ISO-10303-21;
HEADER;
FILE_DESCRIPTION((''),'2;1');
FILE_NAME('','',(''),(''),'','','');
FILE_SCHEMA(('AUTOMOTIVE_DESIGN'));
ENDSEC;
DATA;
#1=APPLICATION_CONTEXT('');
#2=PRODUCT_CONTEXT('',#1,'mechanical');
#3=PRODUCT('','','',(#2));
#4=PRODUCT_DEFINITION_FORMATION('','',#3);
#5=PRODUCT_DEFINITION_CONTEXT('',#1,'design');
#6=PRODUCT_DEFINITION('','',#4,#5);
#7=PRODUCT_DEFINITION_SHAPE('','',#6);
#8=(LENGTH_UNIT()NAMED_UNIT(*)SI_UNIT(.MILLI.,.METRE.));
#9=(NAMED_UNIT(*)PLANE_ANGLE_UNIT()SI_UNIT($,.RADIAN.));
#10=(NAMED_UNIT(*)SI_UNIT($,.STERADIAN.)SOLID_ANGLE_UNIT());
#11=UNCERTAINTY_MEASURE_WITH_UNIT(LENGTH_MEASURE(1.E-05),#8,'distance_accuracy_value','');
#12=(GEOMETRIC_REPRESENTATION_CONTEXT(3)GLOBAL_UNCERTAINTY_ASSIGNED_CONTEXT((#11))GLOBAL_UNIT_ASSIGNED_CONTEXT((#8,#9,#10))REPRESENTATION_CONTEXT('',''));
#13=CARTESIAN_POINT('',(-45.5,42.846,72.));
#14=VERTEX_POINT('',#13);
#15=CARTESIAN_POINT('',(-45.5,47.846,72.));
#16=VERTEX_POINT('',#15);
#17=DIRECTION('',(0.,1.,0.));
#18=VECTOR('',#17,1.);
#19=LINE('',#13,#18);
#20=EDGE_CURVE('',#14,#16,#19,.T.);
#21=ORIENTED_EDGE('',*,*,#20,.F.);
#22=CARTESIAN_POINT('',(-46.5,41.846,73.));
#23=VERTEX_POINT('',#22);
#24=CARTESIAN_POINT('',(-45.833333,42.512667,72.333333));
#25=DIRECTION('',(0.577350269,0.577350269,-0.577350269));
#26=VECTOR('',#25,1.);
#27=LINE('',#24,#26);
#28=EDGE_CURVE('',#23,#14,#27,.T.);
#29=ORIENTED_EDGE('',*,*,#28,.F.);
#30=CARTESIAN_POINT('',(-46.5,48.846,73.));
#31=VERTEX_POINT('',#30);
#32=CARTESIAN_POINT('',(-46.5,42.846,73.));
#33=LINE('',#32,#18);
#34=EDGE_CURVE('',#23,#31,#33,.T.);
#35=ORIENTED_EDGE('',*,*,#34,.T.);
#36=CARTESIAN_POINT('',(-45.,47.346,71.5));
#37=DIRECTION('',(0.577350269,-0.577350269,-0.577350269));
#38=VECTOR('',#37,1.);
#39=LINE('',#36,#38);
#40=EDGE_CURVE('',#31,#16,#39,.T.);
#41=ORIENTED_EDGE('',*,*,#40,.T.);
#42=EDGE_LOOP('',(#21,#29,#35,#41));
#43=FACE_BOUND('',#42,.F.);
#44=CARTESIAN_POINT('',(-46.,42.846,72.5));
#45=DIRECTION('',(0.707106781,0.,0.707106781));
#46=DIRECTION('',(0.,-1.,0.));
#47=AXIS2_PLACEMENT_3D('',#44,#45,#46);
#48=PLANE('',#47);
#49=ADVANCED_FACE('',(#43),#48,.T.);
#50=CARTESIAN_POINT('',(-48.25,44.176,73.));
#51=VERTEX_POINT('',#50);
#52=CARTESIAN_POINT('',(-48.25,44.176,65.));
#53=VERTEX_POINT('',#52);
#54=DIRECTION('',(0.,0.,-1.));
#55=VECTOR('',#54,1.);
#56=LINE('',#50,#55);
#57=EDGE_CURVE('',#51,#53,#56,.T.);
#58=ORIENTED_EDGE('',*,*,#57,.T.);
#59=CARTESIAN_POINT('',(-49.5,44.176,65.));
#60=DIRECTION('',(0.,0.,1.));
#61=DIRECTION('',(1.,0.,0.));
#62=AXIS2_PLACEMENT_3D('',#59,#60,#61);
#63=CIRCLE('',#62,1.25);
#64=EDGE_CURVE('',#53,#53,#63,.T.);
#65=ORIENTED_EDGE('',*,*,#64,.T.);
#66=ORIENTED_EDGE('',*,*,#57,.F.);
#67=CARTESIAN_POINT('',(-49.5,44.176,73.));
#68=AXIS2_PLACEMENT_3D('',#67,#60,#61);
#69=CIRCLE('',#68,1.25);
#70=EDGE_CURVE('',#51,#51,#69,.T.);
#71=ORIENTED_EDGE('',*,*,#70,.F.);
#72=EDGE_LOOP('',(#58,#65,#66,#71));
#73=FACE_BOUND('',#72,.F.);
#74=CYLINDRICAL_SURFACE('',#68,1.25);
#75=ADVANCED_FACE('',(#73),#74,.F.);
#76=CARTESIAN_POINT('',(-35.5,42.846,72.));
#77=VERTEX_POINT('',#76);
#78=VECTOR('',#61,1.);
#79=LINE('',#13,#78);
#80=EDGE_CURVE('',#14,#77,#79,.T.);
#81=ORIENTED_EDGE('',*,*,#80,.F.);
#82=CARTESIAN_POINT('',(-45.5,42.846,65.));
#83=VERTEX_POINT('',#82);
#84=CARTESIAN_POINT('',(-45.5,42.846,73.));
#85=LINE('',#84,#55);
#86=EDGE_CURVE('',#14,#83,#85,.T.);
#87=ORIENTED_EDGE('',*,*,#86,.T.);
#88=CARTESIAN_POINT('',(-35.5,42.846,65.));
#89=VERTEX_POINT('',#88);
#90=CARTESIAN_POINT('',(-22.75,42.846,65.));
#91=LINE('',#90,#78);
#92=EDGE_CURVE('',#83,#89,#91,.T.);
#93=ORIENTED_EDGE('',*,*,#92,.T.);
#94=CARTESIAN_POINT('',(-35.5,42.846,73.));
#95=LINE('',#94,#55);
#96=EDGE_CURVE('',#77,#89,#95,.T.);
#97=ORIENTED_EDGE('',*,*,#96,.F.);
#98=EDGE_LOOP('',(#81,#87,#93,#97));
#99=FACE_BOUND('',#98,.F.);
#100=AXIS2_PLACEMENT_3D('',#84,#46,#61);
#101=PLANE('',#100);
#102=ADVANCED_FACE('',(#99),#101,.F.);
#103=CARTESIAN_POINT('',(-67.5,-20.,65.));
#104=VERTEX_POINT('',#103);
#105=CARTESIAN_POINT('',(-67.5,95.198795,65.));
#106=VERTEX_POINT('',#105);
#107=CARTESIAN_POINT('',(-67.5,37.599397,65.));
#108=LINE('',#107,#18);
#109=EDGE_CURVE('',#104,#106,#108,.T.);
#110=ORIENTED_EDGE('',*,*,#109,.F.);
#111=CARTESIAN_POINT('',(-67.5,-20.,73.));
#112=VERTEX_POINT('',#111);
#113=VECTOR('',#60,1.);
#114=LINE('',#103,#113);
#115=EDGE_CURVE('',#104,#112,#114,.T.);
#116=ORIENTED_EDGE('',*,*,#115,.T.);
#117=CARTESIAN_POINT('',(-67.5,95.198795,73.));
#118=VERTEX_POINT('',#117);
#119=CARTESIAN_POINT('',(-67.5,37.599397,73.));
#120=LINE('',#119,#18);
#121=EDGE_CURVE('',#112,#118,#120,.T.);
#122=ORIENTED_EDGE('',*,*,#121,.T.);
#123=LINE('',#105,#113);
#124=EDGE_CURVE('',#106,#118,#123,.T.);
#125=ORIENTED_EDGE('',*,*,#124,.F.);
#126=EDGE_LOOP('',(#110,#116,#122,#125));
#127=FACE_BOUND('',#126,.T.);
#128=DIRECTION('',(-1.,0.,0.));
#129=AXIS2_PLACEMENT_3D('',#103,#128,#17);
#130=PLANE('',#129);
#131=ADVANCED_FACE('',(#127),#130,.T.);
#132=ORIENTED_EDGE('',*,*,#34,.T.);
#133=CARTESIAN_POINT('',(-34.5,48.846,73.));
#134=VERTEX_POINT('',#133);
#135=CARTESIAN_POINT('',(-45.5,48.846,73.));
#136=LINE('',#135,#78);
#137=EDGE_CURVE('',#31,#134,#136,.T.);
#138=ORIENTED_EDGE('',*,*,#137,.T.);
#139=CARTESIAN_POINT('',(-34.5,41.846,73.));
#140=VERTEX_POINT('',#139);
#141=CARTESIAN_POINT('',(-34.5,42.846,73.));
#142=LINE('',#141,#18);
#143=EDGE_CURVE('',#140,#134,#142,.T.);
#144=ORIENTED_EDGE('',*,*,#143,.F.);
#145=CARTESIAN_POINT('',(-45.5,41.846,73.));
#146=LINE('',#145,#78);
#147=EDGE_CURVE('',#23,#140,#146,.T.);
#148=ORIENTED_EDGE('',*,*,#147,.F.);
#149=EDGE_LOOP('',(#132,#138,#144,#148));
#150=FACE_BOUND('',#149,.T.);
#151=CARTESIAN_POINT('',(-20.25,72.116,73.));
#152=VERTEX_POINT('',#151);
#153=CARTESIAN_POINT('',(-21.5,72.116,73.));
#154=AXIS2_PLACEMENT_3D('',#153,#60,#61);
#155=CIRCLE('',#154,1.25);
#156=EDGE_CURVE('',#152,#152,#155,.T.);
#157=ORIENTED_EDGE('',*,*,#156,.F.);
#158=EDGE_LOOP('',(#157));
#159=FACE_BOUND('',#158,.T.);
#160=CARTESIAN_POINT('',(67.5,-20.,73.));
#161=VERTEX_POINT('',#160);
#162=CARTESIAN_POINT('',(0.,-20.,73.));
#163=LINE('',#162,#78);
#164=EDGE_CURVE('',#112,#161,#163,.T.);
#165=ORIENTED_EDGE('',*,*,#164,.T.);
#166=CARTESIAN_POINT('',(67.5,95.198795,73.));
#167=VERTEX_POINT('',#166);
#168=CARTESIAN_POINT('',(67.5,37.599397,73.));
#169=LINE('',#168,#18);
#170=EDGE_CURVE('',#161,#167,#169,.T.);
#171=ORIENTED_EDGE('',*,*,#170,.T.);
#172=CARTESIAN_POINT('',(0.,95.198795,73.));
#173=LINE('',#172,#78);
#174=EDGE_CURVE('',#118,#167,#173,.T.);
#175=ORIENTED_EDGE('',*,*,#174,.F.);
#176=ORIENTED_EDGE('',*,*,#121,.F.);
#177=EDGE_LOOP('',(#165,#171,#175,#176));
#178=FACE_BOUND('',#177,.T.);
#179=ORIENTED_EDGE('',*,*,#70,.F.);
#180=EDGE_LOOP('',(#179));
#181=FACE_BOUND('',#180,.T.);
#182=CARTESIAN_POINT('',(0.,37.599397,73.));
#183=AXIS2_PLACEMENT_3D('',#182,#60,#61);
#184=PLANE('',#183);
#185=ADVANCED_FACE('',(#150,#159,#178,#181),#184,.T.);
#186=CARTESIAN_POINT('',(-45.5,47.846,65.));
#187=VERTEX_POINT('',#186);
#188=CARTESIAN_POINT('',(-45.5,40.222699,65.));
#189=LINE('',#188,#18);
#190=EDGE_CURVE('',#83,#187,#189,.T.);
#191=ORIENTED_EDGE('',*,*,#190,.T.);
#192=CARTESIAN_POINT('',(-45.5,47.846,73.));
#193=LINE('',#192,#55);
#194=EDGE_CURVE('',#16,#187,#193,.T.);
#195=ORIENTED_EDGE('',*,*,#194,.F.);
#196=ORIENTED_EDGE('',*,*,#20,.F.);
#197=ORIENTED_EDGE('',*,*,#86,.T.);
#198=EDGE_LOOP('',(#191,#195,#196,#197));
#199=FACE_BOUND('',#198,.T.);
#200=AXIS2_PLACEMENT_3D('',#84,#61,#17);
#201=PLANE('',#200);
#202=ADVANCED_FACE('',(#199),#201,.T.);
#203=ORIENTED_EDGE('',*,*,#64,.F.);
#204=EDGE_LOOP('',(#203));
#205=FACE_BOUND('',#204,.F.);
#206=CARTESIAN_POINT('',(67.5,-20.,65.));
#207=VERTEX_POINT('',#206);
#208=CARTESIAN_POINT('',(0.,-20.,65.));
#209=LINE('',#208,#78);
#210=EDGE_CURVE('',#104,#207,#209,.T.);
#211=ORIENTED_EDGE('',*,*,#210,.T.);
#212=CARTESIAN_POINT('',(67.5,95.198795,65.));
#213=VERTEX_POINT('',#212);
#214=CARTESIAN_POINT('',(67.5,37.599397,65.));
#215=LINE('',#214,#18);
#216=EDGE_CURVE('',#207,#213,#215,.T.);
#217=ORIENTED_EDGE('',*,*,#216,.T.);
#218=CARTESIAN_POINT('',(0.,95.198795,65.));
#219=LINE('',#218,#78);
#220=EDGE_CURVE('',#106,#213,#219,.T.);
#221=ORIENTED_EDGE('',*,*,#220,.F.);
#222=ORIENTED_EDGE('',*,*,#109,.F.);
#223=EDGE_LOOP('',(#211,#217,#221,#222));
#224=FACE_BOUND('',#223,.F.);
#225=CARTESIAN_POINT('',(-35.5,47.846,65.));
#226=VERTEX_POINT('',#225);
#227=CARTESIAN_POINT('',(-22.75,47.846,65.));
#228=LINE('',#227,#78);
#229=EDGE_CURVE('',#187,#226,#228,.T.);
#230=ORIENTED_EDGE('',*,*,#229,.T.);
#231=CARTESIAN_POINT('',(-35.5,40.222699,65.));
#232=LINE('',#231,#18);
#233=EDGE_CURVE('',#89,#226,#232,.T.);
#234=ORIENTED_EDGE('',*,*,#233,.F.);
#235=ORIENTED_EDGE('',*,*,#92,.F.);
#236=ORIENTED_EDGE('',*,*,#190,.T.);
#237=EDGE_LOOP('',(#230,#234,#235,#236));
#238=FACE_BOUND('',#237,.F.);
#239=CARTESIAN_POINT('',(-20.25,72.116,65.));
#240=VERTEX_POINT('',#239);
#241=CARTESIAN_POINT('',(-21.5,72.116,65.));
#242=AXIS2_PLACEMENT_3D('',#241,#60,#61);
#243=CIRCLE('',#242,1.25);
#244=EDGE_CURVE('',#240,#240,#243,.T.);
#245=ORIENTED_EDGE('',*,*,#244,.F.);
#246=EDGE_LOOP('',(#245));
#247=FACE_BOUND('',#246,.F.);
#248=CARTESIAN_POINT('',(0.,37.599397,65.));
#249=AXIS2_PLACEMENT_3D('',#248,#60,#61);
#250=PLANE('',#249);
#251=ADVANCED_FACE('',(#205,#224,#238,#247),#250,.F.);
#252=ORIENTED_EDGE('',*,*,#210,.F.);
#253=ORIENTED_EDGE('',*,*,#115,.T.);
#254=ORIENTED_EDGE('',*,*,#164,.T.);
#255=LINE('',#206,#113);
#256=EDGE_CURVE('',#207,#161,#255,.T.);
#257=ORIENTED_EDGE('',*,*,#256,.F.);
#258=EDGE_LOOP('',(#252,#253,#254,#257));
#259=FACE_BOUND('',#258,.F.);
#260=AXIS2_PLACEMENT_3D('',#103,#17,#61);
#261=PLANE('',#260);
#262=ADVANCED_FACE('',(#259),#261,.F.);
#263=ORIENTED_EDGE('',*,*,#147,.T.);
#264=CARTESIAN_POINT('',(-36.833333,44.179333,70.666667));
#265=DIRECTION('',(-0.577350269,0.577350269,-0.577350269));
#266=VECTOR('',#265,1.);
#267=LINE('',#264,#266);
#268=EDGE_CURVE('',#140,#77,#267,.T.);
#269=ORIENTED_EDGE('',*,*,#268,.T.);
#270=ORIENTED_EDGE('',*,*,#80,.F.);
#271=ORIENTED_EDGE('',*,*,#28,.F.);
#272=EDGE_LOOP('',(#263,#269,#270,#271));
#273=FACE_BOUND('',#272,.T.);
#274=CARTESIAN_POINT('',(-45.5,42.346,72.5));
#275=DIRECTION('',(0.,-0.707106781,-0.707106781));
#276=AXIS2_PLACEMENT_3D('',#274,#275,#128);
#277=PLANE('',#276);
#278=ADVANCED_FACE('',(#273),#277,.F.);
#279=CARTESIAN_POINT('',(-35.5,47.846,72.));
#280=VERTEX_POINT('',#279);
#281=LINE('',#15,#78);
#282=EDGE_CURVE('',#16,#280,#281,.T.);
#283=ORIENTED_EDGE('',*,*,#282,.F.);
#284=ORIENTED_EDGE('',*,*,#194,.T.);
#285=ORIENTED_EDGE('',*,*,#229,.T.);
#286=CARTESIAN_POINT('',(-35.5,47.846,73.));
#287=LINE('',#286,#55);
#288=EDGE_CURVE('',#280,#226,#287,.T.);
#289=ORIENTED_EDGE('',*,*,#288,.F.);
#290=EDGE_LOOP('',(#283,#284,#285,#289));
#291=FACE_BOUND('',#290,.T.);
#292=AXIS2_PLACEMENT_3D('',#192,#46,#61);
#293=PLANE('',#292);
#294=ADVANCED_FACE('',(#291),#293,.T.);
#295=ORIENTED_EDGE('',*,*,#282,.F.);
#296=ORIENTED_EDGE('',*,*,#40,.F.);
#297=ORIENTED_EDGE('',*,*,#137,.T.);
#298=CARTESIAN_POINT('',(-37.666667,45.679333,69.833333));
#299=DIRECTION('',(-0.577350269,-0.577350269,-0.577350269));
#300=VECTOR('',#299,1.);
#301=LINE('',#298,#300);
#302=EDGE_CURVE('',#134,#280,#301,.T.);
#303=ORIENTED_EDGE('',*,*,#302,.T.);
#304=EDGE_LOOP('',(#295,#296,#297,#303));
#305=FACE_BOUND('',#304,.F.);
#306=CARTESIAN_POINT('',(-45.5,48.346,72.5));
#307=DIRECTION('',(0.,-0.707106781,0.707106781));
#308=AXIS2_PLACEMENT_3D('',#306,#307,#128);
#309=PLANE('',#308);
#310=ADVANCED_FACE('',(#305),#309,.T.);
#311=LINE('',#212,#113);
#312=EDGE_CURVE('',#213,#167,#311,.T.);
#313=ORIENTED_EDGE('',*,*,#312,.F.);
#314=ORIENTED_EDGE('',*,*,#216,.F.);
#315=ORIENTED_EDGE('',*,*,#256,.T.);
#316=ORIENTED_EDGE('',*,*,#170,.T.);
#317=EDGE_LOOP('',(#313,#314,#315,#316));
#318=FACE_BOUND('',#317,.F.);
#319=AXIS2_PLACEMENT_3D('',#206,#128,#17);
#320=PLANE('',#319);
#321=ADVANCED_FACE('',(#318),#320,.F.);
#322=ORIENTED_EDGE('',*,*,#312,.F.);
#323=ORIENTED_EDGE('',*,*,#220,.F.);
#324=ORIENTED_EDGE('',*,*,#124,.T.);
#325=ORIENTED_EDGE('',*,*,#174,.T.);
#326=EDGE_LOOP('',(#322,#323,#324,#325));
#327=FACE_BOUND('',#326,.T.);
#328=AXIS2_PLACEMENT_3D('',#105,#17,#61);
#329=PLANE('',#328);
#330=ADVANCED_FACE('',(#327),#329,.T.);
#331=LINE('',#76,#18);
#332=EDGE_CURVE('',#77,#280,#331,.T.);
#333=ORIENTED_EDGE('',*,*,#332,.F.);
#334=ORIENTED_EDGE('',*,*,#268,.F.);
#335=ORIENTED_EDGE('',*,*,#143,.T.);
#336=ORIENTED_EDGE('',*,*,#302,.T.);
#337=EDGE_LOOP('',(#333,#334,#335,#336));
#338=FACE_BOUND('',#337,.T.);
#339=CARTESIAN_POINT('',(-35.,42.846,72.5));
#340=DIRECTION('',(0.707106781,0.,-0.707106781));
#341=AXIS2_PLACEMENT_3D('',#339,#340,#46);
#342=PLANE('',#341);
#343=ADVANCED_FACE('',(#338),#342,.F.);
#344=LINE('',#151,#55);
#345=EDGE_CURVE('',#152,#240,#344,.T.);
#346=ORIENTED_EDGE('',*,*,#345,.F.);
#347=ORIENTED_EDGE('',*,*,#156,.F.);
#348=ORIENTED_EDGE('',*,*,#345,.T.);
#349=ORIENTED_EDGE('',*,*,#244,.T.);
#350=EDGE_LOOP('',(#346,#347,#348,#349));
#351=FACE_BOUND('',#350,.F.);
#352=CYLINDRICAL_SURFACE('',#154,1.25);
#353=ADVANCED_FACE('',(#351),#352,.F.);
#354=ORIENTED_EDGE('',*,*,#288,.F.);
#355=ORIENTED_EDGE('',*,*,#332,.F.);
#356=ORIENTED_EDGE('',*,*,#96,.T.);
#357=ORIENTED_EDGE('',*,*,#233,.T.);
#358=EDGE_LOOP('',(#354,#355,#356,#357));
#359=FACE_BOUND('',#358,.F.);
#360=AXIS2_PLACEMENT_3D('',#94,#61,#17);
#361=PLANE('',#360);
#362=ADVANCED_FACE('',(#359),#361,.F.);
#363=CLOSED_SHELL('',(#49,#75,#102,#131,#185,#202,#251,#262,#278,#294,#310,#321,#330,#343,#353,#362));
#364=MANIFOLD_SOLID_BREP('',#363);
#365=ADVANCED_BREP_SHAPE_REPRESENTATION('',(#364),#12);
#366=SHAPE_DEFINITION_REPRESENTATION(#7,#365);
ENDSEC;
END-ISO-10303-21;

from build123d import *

# Parameters (mm, degrees)
BOSS_EXTRUDE1_START = 65
SKETCH1_W           = 135
SKETCH1_H           = 115.198794821
BOSS_EXTRUDE1_DEPTH = 8
SKETCH2_W           = 10
SKETCH2_H           = 5
CUT_EXTRUDE1_DEPTH  = 9
SKETCH3_R           = 1.25
CUT_EXTRUDE2_DEPTH  = 9
CHAMFER2_SIZE       = 1


with BuildPart() as part:
    # Sketch1 → Boss-Extrude1 (new body)
    with BuildSketch(Plane.XY.offset(BOSS_EXTRUDE1_START)):
        with Locations((0, 37.599397411)):
            Rectangle(SKETCH1_W, SKETCH1_H)
    extrude(amount=BOSS_EXTRUDE1_DEPTH)

    # Sketch2 → Cut-Extrude1 (cut, through all)
    with BuildSketch(Plane.XY.offset(73)):
        with Locations((-40.5, 45.346)):
            Rectangle(SKETCH2_W, SKETCH2_H)
    extrude(amount=-CUT_EXTRUDE1_DEPTH, mode=Mode.SUBTRACT)

    # Sketch3 → Cut-Extrude2 (cut, through all)
    with BuildSketch(Plane.XY.offset(73)):
        with Locations((-21.5, 72.116)):
            Circle(SKETCH3_R)
        with Locations((-49.5, 44.176)):
            Circle(SKETCH3_R)
    extrude(amount=-CUT_EXTRUDE2_DEPTH, mode=Mode.SUBTRACT)

    # Chamfer2
    chamfer2_edges = [part.edges().sort_by_distance(p)[0] for p in [
        (-40.5, 47.846, 73),
        (-45.5, 45.346, 73),
        (-40.5, 42.846, 73),
        (-35.5, 45.346, 73),
    ]]
    chamfer(chamfer2_edges, length=CHAMFER2_SIZE)


solid = part.part
